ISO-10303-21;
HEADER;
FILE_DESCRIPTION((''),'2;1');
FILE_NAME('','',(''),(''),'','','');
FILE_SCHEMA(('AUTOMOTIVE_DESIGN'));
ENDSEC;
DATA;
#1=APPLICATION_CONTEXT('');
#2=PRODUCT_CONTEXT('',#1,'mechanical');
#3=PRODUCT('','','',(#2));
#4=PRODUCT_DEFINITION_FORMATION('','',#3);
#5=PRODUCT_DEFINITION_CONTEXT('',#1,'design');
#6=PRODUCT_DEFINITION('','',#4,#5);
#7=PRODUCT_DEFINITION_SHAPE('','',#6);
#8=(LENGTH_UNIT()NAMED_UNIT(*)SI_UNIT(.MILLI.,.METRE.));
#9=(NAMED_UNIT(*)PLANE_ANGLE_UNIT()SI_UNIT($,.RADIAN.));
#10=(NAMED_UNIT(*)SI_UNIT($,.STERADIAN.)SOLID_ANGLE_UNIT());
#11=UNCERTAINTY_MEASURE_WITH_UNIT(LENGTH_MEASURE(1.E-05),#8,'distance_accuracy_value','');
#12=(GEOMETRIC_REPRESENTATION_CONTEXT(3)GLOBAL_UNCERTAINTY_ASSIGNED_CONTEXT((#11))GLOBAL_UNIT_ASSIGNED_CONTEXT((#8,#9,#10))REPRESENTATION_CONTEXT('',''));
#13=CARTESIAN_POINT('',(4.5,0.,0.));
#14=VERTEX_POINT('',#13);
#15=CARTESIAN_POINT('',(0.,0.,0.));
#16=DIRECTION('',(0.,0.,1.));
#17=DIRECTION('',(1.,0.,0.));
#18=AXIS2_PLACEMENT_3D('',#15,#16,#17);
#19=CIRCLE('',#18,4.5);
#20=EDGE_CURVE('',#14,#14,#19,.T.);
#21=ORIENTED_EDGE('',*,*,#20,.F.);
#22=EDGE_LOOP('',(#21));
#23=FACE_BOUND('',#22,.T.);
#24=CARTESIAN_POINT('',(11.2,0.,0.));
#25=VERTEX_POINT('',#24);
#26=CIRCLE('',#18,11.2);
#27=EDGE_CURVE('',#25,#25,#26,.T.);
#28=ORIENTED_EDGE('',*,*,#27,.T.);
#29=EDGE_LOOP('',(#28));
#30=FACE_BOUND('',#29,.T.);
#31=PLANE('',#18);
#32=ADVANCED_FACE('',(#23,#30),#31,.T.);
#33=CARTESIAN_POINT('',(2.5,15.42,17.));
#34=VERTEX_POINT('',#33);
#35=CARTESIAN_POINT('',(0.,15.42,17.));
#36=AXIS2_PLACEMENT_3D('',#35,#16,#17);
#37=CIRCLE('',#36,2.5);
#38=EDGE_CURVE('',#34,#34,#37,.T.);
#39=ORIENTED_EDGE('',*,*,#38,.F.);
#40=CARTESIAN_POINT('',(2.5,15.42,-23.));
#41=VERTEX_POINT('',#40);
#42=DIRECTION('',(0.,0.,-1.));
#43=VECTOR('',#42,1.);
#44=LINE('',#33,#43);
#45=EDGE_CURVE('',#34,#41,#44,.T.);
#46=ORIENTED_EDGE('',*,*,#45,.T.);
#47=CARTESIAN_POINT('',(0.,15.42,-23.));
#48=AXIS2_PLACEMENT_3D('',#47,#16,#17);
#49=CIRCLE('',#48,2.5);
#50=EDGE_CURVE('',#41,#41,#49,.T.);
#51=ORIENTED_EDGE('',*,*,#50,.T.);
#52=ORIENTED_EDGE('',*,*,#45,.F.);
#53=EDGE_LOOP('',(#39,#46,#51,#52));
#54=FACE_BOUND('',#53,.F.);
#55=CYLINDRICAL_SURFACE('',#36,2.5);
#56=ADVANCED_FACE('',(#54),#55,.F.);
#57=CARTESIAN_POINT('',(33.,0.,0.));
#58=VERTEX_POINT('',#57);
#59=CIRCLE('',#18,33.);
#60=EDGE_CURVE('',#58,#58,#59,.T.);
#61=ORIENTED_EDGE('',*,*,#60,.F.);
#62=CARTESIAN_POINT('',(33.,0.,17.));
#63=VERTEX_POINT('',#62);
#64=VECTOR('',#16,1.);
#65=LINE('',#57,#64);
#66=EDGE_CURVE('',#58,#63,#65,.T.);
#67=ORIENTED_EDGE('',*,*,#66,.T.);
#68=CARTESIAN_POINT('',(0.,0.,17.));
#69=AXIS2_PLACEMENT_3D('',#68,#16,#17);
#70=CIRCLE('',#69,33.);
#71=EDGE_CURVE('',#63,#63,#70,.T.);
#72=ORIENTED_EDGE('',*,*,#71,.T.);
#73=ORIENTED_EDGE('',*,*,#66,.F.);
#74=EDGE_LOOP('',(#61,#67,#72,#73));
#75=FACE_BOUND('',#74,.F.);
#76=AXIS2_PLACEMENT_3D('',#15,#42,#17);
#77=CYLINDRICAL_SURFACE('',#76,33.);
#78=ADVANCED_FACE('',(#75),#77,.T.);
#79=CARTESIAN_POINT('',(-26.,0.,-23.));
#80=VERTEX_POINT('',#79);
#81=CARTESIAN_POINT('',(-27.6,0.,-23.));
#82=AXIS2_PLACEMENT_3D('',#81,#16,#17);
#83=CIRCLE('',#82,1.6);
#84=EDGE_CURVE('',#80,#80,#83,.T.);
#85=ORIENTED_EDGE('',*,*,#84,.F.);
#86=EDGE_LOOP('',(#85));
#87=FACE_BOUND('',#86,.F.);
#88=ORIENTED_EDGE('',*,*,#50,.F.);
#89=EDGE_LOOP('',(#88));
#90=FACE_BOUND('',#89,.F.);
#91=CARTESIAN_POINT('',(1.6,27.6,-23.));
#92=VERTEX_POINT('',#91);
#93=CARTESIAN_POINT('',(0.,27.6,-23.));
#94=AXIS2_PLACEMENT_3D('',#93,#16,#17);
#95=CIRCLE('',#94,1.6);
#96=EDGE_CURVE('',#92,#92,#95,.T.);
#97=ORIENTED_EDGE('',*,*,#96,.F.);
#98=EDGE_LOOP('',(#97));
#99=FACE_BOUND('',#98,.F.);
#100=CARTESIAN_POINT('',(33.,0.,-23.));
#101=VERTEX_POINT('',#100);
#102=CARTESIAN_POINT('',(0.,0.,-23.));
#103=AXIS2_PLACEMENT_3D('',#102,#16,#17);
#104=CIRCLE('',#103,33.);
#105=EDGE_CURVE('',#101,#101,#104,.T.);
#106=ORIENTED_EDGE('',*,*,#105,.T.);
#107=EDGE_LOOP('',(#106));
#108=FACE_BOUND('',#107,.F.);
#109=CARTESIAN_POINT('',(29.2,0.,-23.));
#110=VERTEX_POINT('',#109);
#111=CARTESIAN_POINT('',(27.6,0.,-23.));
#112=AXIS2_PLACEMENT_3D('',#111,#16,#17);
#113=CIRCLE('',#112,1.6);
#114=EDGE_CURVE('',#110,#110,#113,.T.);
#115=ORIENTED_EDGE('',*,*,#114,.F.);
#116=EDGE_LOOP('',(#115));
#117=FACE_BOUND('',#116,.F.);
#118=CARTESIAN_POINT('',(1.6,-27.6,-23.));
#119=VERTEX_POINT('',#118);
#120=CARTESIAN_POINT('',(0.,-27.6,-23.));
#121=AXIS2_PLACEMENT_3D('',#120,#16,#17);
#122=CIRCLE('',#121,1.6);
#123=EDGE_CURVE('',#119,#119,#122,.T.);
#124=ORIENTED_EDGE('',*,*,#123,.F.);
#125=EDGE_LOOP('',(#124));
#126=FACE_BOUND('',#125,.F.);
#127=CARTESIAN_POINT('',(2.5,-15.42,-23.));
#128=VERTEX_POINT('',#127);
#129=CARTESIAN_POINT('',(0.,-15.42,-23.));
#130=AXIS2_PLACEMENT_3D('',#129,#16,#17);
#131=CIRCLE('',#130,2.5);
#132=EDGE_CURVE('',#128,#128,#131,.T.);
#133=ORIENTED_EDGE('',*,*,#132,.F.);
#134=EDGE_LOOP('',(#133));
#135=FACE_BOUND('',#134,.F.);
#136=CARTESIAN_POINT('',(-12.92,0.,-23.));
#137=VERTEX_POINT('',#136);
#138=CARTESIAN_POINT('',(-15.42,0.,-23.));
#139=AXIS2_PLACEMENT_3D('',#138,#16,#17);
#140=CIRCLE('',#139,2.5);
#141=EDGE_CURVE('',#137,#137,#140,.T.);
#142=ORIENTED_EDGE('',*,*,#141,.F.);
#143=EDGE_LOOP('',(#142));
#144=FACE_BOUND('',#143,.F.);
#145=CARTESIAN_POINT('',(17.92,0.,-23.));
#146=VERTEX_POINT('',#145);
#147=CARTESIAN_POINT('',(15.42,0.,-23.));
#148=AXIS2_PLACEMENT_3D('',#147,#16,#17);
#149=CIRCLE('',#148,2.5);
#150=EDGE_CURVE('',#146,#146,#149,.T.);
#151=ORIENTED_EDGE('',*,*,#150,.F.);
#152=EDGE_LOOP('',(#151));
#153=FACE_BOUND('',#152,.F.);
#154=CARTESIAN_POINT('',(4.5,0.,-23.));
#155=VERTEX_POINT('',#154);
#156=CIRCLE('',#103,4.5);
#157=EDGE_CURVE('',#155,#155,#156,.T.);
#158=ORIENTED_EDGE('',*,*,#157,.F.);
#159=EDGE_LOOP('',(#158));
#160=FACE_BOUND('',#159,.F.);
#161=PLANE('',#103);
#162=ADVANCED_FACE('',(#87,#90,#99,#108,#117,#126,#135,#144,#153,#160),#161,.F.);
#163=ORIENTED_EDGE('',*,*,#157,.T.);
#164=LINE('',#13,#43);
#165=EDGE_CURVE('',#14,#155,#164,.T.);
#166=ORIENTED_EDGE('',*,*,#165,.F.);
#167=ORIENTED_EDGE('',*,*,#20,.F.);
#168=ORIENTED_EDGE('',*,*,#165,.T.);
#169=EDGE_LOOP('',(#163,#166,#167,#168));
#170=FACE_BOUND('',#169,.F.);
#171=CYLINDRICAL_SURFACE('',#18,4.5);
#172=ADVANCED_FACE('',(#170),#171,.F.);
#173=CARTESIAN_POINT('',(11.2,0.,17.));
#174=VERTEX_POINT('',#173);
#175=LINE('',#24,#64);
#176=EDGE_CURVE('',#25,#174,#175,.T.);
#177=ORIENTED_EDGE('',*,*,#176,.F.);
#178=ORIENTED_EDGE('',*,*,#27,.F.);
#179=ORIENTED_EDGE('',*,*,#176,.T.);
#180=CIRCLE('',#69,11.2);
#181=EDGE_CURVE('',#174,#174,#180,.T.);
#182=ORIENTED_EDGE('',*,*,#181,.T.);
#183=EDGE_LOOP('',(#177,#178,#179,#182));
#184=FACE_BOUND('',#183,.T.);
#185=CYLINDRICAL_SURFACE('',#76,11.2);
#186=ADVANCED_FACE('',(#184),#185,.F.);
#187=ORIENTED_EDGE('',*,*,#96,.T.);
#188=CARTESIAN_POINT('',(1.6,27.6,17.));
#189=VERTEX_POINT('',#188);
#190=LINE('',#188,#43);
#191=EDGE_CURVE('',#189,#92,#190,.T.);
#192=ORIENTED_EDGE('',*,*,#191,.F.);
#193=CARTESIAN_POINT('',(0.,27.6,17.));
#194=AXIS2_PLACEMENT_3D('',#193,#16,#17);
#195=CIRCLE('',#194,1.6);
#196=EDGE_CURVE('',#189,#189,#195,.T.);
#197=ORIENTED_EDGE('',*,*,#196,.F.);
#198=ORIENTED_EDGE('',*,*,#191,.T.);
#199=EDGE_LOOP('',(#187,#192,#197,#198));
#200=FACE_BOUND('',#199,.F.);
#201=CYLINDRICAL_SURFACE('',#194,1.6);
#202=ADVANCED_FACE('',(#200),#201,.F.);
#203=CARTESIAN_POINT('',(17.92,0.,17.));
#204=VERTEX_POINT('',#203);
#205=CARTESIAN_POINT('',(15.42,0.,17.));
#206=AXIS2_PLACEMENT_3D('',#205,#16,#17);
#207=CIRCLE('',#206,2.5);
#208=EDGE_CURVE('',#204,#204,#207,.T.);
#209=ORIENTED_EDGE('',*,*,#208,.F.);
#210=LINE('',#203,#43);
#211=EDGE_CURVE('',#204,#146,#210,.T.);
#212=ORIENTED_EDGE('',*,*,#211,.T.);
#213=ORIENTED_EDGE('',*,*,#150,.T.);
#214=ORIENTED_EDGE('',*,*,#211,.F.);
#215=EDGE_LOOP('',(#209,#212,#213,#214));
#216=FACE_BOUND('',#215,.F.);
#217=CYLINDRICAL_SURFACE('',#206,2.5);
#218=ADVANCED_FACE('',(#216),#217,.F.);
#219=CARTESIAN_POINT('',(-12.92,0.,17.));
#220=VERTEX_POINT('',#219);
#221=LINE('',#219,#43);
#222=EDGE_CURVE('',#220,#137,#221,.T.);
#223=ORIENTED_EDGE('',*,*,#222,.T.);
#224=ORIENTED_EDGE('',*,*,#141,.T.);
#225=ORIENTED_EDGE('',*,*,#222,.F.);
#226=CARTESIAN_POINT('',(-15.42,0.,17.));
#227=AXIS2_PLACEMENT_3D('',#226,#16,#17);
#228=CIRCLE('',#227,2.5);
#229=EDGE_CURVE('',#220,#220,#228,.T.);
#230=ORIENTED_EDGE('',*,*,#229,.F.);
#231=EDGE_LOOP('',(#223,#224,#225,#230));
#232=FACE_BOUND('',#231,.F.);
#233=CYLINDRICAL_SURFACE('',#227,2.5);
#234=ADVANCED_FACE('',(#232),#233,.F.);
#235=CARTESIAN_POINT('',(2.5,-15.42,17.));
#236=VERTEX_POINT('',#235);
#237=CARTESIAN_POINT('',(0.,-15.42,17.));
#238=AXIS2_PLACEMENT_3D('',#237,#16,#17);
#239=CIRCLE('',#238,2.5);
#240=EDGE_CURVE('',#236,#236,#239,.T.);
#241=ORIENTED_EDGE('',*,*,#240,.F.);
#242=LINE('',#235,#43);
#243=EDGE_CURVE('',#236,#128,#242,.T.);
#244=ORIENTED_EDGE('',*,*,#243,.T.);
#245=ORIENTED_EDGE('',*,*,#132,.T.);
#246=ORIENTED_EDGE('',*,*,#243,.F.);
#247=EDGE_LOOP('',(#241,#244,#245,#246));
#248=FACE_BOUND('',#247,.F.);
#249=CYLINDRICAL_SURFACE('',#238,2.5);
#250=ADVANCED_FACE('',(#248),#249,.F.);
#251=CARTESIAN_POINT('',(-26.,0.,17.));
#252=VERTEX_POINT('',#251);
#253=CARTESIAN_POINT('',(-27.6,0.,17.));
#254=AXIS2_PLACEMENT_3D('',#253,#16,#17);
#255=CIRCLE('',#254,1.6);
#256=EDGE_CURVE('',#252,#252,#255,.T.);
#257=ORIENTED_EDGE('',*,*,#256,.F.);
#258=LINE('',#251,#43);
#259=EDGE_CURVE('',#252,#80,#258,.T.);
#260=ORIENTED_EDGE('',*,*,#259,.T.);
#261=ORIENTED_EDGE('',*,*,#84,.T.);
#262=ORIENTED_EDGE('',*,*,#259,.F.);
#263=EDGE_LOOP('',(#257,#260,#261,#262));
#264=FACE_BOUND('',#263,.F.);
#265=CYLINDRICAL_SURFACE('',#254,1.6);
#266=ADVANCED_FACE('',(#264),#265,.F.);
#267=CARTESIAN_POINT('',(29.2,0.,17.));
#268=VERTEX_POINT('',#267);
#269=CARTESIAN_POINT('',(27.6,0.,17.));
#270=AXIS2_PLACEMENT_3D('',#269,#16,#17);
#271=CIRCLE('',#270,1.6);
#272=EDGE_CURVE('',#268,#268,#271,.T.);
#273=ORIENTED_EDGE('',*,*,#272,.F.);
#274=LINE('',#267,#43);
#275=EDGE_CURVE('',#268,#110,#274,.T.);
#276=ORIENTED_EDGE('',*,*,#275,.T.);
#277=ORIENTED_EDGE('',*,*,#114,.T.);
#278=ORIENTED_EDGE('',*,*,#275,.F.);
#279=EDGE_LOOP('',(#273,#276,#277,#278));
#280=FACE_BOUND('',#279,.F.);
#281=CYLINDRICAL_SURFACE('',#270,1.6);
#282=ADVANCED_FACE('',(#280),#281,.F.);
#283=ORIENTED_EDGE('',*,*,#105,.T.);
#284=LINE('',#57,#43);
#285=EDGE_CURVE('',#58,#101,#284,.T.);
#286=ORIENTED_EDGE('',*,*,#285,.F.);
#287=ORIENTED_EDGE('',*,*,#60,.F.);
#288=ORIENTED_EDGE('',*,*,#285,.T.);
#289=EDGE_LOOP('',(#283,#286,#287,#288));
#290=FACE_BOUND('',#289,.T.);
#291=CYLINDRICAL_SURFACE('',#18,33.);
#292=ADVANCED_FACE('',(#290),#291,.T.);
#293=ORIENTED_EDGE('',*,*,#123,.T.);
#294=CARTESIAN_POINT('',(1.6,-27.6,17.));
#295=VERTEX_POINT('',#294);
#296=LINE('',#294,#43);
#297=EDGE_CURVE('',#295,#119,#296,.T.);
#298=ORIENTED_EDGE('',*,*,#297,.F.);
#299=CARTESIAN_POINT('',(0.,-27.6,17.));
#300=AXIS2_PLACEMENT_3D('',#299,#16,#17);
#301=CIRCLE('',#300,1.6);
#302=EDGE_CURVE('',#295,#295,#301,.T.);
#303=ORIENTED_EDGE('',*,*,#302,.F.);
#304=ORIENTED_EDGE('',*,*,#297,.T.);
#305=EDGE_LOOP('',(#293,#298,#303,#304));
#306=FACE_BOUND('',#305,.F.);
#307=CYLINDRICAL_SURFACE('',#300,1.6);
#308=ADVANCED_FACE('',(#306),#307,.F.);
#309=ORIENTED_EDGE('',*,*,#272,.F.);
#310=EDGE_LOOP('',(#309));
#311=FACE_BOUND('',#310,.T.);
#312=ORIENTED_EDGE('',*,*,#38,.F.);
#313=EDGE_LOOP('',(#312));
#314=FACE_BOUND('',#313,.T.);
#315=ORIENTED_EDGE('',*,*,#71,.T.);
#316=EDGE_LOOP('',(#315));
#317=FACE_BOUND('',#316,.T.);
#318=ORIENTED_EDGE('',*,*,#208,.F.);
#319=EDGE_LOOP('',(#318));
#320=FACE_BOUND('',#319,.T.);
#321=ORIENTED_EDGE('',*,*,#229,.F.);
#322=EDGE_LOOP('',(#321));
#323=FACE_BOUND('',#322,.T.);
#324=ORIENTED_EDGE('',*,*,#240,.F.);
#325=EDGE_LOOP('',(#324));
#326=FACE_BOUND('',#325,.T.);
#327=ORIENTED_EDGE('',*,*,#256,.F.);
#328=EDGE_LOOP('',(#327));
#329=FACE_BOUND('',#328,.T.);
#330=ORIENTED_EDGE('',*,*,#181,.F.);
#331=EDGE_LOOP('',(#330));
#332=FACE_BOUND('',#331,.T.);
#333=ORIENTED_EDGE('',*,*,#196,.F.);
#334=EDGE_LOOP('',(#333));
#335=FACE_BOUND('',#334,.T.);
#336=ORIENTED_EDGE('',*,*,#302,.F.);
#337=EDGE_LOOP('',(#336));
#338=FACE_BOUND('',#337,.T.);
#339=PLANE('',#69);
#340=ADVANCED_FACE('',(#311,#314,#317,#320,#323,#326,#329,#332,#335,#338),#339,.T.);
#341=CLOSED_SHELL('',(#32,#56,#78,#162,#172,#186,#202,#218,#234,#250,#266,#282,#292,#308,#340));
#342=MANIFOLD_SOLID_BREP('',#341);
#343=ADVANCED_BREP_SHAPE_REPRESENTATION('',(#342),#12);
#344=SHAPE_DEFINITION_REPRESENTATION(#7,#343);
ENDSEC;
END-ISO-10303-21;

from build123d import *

# Parameters (mm, degrees)
F0_R     = 33
F0_R_2   = 11.2
F1_DEPTH = 23
F2_R     = 4.5
F3_DEPTH = 23.001
F4_DEPTH = 17
F5_R     = 2.5
F5_R_2   = 1.6
F6_DEPTH = 40.001


with BuildPart() as f1:
    # F0 (on Top) → F1 (new body)
    with BuildSketch(Plane.XY):
        Circle(F0_R)
        Circle(F0_R_2, mode=Mode.SUBTRACT)
        Circle(F0_R_2)
    extrude(amount=-F1_DEPTH)

    # F2 (on face) → F3 (cut, through all)
    with BuildSketch(Plane.XY):
        Circle(F2_R)
    extrude(amount=-F3_DEPTH, mode=Mode.SUBTRACT)

    # F0 (on Top) → F4 (join)
    with BuildSketch(Plane.XY):
        Circle(F0_R)
        Circle(F0_R_2, mode=Mode.SUBTRACT)
    extrude(amount=F4_DEPTH)

    # F5 (on face) → F6 (cut, through all)
    with BuildSketch(Plane.XY.offset(17)):
        with Locations((15.42, 0)):
            Circle(F5_R)
        with Locations((0, -15.42)):
            Circle(F5_R)
        with Locations((0, 15.42)):
            Circle(F5_R)
        with Locations((-15.42, 0)):
            Circle(F5_R)
        with Locations((27.6, 0)):
            Circle(F5_R_2)
        with Locations((0, 27.6)):
            Circle(F5_R_2)
        with Locations((0, -27.6)):
            Circle(F5_R_2)
        with Locations((-27.6, 0)):
            Circle(F5_R_2)
    extrude(amount=-F6_DEPTH, mode=Mode.SUBTRACT)


solid = f1.part
